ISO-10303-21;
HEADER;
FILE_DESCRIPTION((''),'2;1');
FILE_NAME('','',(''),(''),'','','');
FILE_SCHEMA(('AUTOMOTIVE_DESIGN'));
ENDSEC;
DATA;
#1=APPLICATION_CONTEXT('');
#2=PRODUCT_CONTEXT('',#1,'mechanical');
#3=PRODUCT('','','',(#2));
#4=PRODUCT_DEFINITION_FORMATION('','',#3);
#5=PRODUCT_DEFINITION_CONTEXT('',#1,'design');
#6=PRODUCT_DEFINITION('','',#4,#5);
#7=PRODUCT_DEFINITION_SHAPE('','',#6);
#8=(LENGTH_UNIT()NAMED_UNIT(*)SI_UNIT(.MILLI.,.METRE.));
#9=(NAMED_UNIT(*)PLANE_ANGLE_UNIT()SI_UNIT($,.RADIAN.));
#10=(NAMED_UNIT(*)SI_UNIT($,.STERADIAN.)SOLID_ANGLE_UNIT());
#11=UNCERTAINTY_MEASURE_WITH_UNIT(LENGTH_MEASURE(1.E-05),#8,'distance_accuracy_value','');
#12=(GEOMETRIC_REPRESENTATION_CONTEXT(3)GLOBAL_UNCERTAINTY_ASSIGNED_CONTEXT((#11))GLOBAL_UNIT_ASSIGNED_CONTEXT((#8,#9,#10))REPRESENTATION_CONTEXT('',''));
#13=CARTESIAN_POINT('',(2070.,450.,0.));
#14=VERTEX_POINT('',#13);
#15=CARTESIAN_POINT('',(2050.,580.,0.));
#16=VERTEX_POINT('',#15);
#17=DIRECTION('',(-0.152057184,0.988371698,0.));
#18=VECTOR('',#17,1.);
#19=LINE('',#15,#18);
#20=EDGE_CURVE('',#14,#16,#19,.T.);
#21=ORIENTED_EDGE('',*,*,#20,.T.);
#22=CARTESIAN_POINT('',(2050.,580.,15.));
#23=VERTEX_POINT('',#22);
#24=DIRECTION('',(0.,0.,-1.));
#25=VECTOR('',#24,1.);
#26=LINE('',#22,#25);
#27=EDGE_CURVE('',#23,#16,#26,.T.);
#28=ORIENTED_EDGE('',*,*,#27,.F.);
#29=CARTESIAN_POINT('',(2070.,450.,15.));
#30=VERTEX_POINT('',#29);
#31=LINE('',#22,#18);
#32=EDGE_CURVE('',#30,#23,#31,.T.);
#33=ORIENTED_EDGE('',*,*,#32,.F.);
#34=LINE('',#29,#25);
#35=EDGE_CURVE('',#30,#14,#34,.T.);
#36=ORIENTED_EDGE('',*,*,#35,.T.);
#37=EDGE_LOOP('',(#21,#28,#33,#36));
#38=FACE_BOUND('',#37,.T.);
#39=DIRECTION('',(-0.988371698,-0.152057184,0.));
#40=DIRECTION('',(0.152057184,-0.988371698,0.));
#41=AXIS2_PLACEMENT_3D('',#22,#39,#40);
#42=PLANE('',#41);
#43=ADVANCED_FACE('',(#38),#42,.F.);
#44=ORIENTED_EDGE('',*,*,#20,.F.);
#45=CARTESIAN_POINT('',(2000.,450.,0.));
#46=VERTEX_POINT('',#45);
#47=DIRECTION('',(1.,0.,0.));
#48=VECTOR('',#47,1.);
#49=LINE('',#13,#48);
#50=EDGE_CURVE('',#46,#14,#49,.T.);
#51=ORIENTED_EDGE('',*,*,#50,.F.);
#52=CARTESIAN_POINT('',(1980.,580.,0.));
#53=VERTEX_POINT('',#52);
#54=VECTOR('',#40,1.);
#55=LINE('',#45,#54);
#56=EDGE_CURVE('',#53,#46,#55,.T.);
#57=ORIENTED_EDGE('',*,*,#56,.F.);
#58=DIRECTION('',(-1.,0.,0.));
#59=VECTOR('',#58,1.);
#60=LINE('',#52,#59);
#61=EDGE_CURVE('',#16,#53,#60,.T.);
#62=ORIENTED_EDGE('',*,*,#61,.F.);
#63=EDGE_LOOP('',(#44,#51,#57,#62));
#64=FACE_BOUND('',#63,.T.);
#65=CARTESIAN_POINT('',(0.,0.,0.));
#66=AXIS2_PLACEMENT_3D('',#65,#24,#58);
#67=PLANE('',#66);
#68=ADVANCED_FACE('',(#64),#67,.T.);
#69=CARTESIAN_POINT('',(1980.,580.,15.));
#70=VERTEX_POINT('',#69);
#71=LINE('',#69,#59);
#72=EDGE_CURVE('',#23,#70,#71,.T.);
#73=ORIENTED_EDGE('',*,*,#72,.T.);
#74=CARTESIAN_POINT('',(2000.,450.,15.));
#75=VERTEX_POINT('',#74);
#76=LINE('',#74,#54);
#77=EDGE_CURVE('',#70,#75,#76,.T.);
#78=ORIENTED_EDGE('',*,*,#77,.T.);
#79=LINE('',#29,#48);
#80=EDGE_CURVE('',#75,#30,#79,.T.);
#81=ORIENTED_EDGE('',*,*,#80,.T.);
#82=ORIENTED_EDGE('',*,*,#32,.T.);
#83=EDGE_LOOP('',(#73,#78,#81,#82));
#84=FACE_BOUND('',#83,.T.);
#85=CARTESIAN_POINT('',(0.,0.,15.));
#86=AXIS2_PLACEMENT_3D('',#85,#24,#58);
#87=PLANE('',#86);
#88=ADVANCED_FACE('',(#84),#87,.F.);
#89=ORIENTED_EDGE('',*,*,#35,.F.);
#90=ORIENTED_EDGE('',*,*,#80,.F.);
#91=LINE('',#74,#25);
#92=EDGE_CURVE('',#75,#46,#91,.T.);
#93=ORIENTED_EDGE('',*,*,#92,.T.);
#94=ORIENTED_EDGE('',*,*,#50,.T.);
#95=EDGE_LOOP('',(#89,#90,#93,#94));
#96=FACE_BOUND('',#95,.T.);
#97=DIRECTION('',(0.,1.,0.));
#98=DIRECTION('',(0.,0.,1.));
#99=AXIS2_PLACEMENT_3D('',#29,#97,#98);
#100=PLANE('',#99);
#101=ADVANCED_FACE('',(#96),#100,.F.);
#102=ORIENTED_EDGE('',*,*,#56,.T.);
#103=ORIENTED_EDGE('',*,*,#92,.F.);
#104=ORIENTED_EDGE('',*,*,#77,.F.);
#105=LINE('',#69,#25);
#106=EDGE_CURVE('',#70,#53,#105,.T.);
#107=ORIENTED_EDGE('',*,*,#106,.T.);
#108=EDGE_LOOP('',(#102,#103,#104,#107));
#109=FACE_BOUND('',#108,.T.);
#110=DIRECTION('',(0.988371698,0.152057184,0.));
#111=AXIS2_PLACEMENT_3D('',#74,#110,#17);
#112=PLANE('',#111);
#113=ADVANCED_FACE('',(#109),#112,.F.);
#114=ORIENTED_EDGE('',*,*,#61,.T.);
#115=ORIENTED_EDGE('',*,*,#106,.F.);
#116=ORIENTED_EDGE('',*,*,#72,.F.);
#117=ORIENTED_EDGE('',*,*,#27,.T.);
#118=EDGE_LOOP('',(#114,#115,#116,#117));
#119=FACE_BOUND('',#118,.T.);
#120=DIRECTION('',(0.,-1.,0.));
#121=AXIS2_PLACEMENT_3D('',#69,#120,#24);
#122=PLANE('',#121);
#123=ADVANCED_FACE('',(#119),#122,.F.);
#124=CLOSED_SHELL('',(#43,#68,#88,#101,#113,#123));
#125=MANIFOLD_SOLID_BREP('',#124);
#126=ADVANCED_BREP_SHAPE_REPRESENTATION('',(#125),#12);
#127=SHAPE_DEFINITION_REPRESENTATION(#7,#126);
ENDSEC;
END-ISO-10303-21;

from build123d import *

# Parameters (mm, degrees)
BOSS_EXTRUDE1_DEPTH = 15


with BuildPart() as part:
    # Sketch1 → Boss-Extrude1 (new body)
    with BuildSketch(Plane.XY):
        Polygon((2000, 450), (1980, 580), (2050, 580), (2070, 450), align=None)
    extrude(amount=BOSS_EXTRUDE1_DEPTH)


solid = part.part
